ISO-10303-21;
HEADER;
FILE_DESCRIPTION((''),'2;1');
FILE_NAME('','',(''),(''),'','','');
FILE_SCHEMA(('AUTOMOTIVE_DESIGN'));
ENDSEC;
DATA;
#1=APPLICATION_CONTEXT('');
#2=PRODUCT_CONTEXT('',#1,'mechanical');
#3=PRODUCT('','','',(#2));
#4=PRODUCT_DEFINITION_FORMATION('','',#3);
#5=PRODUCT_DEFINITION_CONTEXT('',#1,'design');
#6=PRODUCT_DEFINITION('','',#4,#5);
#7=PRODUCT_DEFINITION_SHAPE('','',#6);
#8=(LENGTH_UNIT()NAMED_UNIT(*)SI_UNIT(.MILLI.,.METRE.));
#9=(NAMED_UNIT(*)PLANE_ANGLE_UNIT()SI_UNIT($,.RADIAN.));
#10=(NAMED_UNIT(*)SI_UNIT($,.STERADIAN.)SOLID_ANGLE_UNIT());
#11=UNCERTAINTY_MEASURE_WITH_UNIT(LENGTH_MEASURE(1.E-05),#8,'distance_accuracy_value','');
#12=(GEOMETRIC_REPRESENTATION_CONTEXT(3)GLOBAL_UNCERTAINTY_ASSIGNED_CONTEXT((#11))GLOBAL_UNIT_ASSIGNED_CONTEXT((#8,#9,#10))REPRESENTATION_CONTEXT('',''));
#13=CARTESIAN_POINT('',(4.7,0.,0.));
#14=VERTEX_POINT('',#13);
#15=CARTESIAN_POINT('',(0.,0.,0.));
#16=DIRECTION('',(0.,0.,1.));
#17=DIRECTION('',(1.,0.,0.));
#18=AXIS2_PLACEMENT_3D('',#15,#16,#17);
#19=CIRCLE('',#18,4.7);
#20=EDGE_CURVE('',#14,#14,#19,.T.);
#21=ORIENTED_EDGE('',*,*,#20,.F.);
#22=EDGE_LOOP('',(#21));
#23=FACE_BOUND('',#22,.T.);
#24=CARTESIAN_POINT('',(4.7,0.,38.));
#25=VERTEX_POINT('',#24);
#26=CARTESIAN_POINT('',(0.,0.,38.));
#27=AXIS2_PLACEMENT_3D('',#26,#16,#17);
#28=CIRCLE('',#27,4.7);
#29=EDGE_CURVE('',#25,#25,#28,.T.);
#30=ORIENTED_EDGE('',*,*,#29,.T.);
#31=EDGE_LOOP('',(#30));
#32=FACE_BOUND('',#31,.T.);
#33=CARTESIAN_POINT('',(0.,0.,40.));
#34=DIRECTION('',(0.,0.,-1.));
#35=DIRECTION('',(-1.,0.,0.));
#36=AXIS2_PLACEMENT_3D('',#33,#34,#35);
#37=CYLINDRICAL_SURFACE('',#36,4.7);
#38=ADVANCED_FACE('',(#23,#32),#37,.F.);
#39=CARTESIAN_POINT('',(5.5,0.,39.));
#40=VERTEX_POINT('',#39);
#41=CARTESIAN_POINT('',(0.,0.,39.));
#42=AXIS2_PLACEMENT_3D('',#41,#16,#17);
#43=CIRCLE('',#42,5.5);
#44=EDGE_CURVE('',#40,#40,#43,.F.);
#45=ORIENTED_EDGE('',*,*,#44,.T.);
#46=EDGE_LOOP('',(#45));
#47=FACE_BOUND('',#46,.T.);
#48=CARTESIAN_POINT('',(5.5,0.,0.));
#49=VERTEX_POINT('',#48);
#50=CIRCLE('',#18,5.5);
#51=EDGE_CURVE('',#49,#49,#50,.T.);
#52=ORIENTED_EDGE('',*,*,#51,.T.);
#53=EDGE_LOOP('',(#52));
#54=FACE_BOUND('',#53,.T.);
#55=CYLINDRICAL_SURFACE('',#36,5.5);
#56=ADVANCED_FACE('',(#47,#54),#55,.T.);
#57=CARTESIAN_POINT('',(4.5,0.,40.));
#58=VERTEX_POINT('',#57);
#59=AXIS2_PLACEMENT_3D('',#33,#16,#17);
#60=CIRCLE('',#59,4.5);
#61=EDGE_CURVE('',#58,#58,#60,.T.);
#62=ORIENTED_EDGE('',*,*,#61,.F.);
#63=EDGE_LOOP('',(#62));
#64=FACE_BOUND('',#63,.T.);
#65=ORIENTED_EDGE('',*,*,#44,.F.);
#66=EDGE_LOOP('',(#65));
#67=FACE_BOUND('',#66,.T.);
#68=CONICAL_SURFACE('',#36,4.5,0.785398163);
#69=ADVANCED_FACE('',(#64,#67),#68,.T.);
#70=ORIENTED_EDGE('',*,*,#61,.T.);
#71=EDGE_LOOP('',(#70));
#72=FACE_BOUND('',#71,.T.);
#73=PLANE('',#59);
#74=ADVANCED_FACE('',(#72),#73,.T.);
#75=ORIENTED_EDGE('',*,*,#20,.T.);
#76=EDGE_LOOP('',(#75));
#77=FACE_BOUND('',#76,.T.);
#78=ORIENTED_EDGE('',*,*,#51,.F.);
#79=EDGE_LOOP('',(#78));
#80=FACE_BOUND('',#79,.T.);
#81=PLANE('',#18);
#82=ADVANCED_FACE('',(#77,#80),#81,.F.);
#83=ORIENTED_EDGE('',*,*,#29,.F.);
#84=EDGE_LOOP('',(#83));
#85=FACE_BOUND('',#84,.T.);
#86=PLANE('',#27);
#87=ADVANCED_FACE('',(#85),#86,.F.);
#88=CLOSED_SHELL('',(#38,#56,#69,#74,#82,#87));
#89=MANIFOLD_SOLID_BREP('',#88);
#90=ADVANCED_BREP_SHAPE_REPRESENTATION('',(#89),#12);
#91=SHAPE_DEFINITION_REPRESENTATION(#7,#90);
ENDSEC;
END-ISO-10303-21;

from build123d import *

# Parameters (mm, degrees)
SKETCH1_R           = 5.5
SKETCH1_R_2         = 4.7
BOSS_EXTRUDE1_DEPTH = 40
SKETCH2_R           = 5.5
BOSS_EXTRUDE2_DEPTH = 2
CHAMFER1_SIZE       = 1


with BuildPart() as part:
    # Sketch1 → Boss-Extrude1 (new body)
    with BuildSketch(Plane.XY):
        Circle(SKETCH1_R)
        Circle(SKETCH1_R_2, mode=Mode.SUBTRACT)
    extrude(amount=BOSS_EXTRUDE1_DEPTH)

    # Sketch2 → Boss-Extrude2 (add)
    with BuildSketch(Plane.XY.offset(40)):
        Circle(SKETCH2_R)
    extrude(amount=-BOSS_EXTRUDE2_DEPTH)

    # Chamfer1
    chamfer1_edges = [part.edges().sort_by_distance(p)[0] for p in [
        (-5.5, 0, 40),
    ]]
    chamfer(chamfer1_edges, length=CHAMFER1_SIZE)


solid = part.part
